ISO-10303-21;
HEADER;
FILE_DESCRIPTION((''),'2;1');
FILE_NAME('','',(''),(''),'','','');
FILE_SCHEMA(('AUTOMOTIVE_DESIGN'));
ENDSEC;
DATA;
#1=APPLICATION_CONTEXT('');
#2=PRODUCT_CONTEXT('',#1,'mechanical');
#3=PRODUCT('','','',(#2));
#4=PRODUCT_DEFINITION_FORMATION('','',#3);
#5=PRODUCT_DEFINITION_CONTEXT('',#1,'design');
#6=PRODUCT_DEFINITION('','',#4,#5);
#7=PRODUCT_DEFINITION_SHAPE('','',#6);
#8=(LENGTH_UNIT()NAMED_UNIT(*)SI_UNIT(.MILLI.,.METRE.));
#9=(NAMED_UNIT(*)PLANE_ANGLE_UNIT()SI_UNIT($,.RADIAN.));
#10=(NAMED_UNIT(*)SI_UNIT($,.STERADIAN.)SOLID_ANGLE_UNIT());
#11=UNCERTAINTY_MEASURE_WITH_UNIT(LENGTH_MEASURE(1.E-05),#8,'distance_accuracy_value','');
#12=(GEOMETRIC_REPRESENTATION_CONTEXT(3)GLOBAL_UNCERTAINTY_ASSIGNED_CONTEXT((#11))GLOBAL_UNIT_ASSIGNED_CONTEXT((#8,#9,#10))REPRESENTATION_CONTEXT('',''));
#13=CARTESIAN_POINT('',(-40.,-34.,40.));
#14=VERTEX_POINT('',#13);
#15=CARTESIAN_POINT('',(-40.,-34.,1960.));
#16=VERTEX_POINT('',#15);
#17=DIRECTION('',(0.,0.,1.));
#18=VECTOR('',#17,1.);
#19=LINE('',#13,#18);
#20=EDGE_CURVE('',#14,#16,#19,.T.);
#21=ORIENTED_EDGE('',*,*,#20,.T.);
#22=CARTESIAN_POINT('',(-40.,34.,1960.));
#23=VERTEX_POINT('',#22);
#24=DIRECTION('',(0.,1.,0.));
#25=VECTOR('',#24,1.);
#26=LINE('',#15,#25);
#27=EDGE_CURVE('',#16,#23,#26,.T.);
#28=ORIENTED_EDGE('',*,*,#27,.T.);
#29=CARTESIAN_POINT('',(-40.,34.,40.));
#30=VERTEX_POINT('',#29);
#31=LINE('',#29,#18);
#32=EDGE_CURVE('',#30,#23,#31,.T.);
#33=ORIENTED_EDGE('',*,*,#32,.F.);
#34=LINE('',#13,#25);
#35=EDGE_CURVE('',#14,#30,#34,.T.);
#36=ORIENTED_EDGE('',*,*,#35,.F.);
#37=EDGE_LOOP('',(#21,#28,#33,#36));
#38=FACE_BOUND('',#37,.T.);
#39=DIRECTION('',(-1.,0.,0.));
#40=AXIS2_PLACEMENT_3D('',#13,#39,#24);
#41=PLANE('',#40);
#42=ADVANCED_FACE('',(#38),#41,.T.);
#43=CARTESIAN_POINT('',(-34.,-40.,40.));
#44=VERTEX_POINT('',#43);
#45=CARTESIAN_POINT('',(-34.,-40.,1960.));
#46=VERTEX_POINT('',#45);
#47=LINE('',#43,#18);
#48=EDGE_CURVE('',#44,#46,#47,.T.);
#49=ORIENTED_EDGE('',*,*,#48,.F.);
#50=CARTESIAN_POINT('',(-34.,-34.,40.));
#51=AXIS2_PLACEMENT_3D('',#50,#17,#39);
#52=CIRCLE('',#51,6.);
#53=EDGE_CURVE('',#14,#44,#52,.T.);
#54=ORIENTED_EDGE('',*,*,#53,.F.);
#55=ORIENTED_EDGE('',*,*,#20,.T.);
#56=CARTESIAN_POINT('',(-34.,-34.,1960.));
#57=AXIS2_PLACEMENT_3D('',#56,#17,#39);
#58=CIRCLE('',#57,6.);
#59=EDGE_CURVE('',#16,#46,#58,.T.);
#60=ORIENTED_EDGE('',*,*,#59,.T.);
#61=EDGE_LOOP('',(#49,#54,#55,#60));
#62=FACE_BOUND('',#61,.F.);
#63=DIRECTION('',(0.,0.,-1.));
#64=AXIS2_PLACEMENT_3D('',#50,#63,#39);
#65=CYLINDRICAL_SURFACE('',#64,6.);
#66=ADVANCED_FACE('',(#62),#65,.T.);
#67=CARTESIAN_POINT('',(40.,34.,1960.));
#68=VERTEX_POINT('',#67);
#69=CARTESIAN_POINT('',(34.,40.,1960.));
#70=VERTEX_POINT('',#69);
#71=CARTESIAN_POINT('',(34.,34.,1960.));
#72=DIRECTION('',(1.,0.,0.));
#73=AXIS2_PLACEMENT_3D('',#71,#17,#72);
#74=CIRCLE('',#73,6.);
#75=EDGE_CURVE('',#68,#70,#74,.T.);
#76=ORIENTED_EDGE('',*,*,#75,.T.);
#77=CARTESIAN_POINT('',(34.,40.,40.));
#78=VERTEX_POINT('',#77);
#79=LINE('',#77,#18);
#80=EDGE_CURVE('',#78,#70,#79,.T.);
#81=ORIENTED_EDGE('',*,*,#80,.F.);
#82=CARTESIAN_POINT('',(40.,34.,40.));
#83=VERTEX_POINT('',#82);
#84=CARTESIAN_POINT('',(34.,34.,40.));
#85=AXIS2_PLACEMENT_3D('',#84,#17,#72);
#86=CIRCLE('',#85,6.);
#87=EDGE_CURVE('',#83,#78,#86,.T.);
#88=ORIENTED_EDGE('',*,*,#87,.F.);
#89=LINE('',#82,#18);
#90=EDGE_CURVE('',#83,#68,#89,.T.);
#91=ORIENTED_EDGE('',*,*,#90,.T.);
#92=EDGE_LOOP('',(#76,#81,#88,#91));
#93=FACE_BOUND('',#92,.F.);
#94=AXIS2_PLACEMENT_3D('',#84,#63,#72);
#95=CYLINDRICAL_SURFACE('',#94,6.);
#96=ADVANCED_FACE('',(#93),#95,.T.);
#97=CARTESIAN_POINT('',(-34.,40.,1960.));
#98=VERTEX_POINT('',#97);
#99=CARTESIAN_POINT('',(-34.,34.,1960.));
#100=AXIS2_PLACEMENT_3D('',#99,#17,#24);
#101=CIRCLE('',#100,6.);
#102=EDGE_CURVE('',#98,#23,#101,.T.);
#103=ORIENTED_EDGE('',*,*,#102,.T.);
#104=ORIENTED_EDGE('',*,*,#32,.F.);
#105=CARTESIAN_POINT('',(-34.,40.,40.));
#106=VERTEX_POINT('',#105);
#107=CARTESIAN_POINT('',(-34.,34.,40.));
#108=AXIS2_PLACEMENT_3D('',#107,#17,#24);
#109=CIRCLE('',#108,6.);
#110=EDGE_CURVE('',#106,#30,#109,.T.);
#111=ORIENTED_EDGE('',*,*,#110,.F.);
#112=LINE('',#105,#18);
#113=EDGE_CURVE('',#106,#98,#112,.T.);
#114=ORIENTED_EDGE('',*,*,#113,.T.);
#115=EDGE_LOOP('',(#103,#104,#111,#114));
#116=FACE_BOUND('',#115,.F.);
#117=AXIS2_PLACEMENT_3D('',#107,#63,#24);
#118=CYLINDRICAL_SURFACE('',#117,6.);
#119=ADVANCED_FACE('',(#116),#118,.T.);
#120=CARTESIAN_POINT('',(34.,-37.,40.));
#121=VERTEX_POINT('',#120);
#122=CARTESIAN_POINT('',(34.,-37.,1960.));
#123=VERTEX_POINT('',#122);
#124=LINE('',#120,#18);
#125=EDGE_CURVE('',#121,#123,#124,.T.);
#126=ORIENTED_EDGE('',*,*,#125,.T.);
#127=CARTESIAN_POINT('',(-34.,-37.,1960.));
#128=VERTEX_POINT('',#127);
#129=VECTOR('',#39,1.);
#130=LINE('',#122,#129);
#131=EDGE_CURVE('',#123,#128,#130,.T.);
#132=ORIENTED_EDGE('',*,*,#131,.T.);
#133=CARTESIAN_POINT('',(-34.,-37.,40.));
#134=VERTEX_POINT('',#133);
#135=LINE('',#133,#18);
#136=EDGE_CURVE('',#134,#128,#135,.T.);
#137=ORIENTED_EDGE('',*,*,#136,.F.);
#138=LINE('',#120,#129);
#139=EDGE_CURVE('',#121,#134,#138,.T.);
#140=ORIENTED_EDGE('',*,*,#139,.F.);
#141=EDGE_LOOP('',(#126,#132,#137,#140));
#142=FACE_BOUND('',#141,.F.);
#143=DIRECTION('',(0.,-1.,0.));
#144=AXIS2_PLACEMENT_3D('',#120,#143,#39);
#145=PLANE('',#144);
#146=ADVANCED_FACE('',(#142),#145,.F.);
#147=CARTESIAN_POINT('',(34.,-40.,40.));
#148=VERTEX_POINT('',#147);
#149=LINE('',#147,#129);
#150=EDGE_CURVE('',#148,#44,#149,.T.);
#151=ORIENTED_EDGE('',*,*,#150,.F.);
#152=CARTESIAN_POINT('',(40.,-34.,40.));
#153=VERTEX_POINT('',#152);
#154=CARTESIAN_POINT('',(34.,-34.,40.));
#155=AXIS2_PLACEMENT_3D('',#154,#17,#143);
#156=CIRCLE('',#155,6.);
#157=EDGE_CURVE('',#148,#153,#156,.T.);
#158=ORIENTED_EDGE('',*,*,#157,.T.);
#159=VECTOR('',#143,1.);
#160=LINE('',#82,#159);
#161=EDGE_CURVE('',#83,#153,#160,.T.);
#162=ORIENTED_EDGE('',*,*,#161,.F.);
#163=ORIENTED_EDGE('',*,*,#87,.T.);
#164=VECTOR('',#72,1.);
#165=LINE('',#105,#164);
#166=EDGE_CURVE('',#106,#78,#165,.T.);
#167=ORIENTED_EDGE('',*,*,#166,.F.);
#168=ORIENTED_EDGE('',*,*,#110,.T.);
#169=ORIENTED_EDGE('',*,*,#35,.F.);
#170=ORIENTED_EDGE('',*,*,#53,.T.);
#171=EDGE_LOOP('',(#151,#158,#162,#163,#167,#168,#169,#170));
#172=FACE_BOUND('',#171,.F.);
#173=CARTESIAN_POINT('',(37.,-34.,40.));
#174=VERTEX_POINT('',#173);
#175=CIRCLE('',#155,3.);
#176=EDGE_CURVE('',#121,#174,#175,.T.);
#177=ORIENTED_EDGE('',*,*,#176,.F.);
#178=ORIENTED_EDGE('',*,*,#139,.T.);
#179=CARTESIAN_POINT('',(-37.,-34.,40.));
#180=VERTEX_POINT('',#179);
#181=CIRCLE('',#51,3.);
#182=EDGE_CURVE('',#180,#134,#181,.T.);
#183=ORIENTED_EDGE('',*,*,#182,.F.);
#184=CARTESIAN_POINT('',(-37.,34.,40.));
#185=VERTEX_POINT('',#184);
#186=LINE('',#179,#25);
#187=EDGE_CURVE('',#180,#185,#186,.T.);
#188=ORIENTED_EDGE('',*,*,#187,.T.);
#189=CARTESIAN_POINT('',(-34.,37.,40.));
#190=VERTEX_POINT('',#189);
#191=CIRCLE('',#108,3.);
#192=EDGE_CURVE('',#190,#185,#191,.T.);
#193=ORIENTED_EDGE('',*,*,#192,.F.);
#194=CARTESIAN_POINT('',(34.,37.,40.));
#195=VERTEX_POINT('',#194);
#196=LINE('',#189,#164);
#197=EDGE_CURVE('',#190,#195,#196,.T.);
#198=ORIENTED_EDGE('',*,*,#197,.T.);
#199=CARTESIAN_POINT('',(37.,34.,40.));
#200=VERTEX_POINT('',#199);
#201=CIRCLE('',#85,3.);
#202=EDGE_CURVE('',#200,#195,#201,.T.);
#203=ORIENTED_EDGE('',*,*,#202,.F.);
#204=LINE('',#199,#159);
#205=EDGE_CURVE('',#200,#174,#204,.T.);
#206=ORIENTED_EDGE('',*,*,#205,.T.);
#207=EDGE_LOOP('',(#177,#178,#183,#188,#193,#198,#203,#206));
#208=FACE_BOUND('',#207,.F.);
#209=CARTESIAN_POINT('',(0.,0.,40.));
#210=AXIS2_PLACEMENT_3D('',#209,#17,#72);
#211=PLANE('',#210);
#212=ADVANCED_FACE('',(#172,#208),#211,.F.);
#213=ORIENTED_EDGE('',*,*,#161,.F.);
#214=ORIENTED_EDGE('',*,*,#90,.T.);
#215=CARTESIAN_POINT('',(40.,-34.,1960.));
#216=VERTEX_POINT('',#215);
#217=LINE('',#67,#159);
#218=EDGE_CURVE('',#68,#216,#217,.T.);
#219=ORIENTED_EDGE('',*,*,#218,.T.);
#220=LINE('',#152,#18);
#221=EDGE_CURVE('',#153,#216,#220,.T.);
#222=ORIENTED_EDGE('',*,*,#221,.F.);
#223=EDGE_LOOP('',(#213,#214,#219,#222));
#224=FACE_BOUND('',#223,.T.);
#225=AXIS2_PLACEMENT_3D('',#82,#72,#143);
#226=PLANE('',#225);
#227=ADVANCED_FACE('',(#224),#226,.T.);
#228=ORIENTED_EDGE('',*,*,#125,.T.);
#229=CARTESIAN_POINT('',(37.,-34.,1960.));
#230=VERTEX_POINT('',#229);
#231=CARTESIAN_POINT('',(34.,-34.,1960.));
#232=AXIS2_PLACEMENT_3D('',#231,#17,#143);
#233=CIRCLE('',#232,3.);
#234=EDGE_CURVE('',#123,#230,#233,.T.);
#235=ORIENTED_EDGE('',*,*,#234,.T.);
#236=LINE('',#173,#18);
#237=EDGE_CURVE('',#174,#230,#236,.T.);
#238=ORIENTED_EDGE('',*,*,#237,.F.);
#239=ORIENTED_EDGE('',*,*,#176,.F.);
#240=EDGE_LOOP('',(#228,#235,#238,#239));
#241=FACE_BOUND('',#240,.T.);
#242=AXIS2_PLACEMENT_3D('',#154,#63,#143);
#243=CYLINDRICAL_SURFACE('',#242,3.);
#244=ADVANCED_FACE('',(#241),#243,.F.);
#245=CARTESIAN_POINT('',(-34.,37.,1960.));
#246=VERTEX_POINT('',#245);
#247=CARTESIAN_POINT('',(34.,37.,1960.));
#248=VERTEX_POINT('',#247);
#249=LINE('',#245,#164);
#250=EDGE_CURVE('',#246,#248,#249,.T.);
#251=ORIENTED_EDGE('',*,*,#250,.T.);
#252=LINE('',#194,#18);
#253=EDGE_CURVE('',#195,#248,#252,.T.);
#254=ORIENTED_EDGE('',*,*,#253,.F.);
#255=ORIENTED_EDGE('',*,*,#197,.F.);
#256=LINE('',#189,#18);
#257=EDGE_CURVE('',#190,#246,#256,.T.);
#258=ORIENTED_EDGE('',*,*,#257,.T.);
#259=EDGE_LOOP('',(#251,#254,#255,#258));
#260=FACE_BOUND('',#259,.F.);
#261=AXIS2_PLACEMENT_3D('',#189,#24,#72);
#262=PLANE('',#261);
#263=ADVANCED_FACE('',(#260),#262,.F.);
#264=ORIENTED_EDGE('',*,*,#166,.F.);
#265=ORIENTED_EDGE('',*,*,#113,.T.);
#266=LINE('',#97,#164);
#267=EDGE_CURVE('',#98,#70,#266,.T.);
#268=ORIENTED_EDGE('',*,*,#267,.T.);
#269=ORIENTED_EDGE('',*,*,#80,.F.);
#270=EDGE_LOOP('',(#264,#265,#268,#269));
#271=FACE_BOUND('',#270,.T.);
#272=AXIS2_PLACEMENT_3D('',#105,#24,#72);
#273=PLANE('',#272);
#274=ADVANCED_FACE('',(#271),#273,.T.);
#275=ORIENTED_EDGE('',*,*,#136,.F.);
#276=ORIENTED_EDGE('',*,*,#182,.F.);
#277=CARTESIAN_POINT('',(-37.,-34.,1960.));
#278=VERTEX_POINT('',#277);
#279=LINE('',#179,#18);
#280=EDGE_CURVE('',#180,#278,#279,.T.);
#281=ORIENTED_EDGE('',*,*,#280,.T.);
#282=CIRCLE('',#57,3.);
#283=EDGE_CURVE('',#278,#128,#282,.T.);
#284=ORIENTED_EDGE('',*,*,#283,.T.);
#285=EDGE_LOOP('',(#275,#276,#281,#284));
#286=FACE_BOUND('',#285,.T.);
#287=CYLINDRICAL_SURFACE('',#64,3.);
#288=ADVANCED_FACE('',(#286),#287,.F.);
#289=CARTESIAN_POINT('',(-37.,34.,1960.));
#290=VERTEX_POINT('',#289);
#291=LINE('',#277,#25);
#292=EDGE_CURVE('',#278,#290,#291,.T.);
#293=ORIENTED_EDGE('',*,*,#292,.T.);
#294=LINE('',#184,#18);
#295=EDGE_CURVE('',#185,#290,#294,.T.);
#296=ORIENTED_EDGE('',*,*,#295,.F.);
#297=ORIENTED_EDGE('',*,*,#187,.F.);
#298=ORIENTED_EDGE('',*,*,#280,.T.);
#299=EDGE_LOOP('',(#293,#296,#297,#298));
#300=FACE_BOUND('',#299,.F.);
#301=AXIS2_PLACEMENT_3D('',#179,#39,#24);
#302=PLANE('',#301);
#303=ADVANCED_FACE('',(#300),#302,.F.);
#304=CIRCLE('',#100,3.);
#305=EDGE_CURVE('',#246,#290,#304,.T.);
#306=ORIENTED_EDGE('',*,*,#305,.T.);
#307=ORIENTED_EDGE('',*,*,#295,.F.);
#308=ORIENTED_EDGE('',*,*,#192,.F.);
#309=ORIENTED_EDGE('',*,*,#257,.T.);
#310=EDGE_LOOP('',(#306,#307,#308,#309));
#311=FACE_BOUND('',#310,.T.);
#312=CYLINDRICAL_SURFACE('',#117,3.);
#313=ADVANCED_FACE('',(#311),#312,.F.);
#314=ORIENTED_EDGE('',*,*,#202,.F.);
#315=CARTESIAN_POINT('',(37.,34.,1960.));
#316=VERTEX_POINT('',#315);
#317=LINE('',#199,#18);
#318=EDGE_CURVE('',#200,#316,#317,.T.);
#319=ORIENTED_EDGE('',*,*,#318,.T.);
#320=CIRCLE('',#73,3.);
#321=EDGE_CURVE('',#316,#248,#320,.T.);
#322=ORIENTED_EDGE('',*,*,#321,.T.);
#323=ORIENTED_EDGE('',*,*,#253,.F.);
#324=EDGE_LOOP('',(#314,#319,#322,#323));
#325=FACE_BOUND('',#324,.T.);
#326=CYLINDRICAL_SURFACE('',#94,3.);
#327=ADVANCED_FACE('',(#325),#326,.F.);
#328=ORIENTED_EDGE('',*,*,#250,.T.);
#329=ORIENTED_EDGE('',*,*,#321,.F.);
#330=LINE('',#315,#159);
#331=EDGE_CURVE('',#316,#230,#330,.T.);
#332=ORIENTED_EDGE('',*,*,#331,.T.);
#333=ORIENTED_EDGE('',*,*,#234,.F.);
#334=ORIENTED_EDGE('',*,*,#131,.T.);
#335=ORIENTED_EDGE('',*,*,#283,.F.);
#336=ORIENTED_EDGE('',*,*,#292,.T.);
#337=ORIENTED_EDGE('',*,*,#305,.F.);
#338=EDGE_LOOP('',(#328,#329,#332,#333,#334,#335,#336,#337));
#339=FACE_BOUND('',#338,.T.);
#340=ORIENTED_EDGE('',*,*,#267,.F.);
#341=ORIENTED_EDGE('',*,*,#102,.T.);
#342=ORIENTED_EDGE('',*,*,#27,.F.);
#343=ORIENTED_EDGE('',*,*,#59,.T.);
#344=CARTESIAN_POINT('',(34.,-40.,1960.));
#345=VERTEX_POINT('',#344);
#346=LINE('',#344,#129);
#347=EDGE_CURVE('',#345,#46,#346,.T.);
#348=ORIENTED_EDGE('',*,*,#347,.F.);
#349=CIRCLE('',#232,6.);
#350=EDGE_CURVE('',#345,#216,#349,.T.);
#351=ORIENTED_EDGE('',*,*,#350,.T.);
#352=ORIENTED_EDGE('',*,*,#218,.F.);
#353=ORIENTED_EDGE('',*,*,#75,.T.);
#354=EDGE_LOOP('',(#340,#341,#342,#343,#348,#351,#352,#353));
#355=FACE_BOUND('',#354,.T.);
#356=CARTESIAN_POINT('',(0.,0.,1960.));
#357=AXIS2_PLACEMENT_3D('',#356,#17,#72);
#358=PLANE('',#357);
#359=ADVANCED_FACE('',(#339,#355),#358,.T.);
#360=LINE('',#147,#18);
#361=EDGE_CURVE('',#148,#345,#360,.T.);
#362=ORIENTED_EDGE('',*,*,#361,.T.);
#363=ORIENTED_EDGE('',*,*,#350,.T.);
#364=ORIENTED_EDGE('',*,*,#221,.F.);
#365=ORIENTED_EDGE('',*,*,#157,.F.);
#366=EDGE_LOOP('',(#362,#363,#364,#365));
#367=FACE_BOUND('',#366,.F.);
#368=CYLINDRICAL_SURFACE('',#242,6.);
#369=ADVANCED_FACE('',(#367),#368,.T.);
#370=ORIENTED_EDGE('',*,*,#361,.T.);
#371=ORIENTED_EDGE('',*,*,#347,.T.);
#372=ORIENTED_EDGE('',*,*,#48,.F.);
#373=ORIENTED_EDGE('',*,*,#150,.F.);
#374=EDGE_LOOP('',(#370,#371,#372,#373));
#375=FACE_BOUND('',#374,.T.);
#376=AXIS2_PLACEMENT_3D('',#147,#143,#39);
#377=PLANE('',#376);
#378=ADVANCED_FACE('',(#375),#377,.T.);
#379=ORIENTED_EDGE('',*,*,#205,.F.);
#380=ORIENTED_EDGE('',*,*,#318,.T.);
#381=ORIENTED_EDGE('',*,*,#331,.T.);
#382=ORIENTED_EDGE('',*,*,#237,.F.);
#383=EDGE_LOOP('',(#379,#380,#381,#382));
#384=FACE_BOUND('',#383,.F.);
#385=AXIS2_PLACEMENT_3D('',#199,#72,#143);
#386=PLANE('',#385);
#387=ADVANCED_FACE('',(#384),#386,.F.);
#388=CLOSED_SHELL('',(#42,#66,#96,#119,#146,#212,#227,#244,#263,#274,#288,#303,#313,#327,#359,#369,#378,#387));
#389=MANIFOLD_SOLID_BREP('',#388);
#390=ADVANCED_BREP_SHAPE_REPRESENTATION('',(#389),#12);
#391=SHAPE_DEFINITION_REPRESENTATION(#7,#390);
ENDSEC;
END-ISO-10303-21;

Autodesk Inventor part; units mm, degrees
ref_plane "YZ Plane" through (0, 0, 0) normal (1, 0, 0) x (0, 1, 0)
ref_plane "Start Plane" through (0, 0, 40) normal (0, 0, 1) x (1, 0, 0)
ref_plane "End Plane" through (0, 0, 1960) normal (0, 0, 1) x (1, 0, 0)
sketch "Sketch" plane through (0, 0, 0) normal (0, 0, 1) x (1, 0, 0)
  line L0 (-40, -34) -> (-40, 34)
  line L1 (-34, 40) -> (34, 40)
  line L2 (40, 34) -> (40, -34)
  line L3 (34, -40) -> (-34, -40)
  arc A0 (-40, -34) -> (-34, -40) centre (-34, -34) ccw
  arc A1 (40, 34) -> (34, 40) centre (34, 34) ccw
  arc A2 (-34, 40) -> (-40, 34) centre (-34, 34) ccw
  arc A3 (34, -40) -> (40, -34) centre (34, -34) ccw
  arc A4 (-34, 37) -> (-37, 34) centre (-34, 34) ccw
  line L4 (-34, 37) -> (34, 37)
  arc A5 (37, 34) -> (34, 37) centre (34, 34) ccw
  line L5 (37, 34) -> (37, -34)
  arc A6 (34, -37) -> (37, -34) centre (34, -34) ccw
  line L6 (34, -37) -> (-34, -37)
  arc A7 (-37, -34) -> (-34, -37) centre (-34, -34) ccw
  line L7 (-37, -34) -> (-37, 34)
  line L8 (0, 57.7397) -> (0, -57.7397) construction
  line L9 (-57.7397, 0) -> (57.7397, 0) construction
  dimension "d7" = 6
  dimension "d9" = 80
  dimension "d11" = 80
  dimension "d12" = 3
  dimension "d15" = 40
  dimension "d16" = 40
extrude "Body" add sketch "Sketch" along normal up to surface (1920 mm away) from surface at 40
sketch "Sketch3" plane through (0, 0, 0) normal (0, 0, 1) x (1, 0, 0)
  line L0 (0, 0) -> (10, 0)
ref_plane "Work Plane3" through (0, 0, 0) normal (0, -1, 0) x (1, 0, 0)
sketch "Sketch4" plane through (0, 0, 0) normal (0, -1, 0) x (1, 0, 0)
  line L0 (-2, 40) -> (12, 40) projected
  line L1 (-2, 1960) -> (12, 1960) projected
  dimension "d18" = 1920
equation "\"d7\" = G_IR"
equation "\"d9\" = G_W"
equation "\"d11\" = G_H"
equation "\"d12\" = G_T"
equation "\"d15\" = 0.5 * d9"
equation "\"d16\" = 0.5 * d11"
equation "\"d3\" = G_L"
equation "\"G_W\" = 80"
equation "\"G_H\" = 80"
equation "\"G_T\" = 3"
equation "\"G_IR\" = 6"
equation "\"G_L\" = d18"
properties part number "ISO 4019 - 80x80x3 - 1920" material "Steel, Mild"
